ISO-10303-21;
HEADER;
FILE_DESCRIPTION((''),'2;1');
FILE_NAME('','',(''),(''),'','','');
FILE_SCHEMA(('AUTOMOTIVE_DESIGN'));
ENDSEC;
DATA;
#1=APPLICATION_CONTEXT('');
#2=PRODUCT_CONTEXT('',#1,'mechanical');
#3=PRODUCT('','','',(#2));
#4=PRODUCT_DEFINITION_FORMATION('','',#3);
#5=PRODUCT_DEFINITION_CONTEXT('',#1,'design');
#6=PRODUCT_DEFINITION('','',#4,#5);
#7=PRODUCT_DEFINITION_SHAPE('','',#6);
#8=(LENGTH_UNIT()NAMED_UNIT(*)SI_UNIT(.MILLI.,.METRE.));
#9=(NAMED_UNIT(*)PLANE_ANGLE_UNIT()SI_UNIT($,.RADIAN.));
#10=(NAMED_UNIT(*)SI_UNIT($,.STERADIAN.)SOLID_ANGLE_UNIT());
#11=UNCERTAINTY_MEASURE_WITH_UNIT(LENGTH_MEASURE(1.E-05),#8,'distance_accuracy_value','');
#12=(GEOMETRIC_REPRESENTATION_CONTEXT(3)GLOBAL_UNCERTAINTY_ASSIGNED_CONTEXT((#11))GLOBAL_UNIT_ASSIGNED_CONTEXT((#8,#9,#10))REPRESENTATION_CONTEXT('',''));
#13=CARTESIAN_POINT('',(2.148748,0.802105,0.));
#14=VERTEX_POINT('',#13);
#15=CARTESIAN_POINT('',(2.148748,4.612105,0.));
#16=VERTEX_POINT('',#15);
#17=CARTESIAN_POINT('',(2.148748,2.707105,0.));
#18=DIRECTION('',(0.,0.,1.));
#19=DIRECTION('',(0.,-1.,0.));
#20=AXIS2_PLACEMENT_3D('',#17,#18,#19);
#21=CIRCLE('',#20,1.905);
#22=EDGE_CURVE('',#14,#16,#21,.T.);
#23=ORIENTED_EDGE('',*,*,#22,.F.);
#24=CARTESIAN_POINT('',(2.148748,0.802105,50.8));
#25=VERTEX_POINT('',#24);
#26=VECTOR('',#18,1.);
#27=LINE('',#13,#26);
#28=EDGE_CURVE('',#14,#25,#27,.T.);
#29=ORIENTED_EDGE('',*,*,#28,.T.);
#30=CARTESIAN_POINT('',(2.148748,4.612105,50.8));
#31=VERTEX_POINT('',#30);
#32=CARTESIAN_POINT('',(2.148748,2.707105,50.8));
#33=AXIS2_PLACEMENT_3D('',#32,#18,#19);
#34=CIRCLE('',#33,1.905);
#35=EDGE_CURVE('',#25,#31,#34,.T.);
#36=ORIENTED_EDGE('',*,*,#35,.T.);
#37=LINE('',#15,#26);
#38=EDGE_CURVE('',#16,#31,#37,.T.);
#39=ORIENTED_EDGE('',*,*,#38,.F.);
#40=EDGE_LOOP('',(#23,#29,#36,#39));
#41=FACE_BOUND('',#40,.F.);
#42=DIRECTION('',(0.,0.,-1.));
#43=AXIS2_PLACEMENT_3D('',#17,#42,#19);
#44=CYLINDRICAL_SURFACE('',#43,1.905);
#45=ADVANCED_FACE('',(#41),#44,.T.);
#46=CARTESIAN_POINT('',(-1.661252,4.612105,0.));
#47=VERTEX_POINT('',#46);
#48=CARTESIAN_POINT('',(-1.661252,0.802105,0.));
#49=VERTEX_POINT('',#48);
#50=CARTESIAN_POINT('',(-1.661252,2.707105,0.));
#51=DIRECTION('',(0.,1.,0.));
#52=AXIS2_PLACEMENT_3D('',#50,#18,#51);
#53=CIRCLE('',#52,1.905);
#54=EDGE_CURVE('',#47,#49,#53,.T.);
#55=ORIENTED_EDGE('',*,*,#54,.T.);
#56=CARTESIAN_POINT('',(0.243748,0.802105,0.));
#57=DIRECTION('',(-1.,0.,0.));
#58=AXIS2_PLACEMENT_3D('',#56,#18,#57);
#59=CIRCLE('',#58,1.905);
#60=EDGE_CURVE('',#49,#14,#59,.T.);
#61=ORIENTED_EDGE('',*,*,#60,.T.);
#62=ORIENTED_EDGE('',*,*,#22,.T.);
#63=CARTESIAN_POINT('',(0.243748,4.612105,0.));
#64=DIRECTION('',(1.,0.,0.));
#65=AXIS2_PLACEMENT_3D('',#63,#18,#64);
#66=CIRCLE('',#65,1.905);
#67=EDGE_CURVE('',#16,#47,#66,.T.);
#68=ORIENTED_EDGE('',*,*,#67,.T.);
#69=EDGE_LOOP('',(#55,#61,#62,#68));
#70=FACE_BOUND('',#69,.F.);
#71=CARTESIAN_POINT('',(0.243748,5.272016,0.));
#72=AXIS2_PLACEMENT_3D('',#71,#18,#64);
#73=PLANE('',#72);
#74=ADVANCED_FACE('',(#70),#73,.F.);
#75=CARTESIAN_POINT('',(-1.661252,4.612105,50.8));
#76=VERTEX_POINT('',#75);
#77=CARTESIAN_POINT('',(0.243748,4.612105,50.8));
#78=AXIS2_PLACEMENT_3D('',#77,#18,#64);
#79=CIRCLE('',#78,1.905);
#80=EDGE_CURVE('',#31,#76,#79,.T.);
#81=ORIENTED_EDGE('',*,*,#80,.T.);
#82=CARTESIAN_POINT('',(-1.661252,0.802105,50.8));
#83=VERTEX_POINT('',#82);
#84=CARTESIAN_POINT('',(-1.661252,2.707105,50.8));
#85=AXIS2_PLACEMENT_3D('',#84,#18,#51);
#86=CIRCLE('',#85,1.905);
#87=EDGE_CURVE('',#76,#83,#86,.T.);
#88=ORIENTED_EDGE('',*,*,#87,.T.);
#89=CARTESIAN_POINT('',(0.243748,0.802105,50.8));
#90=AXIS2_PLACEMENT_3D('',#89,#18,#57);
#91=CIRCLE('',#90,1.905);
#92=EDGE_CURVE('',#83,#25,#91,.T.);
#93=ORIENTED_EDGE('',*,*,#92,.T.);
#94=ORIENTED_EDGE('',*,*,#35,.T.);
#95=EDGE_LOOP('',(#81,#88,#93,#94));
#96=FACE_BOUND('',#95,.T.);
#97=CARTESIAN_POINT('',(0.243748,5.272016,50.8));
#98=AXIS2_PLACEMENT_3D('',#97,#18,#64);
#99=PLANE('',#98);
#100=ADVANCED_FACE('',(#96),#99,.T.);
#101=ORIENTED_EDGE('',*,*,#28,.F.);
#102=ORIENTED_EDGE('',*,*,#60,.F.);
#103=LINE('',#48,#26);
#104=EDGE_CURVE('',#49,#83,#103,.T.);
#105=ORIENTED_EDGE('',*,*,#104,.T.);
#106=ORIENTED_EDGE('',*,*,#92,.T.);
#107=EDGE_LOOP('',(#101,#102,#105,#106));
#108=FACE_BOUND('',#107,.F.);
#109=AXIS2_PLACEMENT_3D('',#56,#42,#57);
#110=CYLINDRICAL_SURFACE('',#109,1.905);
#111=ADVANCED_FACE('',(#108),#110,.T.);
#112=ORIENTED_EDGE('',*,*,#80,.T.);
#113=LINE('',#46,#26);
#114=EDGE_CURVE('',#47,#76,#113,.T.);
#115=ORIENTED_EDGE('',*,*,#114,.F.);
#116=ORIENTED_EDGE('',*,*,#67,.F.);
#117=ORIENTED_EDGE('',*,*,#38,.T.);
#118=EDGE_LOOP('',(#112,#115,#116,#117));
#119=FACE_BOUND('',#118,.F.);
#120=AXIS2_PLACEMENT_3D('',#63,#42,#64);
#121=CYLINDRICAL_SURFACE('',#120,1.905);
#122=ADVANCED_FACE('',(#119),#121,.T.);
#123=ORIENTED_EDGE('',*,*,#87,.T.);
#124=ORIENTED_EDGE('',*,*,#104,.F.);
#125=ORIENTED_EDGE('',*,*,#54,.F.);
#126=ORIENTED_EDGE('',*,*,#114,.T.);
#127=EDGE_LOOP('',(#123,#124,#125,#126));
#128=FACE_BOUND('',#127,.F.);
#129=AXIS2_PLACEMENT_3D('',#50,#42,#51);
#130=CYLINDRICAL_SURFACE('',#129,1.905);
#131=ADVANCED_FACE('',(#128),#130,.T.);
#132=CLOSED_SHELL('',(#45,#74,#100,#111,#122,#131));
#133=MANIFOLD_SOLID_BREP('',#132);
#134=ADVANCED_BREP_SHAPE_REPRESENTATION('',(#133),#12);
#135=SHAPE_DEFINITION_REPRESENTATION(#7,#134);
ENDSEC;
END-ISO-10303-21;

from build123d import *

# Parameters (mm, degrees)
F0_W     = 3.81
F0_H     = 3.81
F1_DEPTH = 50.8


with BuildPart() as f1:
    # F0 (on Top) → F1 (new body)
    with BuildSketch(Plane.XY):
        with BuildLine():
            ThreePointArc((2.148748, 4.612105), (0.243748, 6.517105), (-1.661252, 4.612105))
            Line((-1.661252, 4.612105), (2.148748, 4.612105))
        make_face()
        with BuildLine():
            Line((2.148748, 0.802105), (-1.661252, 0.802105))
            ThreePointArc((-1.661252, 0.802105), (0.243748, -1.102895), (2.148748, 0.802105))
        make_face()
        with BuildLine():
            Line((-1.661252, 0.802105), (-1.661252, 4.612105))
            ThreePointArc((-1.661252, 4.612105), (-3.566252, 2.707105), (-1.661252, 0.802105))
        make_face()
        with Locations((0.243748, 2.707105)):
            Rectangle(F0_W, F0_H)
        with BuildLine():
            ThreePointArc((2.148748, 0.802105), (4.053748, 2.707105), (2.148748, 4.612105))
            Line((2.148748, 4.612105), (2.148748, 0.802105))
        make_face()
    extrude(amount=F1_DEPTH)


solid = f1.part
